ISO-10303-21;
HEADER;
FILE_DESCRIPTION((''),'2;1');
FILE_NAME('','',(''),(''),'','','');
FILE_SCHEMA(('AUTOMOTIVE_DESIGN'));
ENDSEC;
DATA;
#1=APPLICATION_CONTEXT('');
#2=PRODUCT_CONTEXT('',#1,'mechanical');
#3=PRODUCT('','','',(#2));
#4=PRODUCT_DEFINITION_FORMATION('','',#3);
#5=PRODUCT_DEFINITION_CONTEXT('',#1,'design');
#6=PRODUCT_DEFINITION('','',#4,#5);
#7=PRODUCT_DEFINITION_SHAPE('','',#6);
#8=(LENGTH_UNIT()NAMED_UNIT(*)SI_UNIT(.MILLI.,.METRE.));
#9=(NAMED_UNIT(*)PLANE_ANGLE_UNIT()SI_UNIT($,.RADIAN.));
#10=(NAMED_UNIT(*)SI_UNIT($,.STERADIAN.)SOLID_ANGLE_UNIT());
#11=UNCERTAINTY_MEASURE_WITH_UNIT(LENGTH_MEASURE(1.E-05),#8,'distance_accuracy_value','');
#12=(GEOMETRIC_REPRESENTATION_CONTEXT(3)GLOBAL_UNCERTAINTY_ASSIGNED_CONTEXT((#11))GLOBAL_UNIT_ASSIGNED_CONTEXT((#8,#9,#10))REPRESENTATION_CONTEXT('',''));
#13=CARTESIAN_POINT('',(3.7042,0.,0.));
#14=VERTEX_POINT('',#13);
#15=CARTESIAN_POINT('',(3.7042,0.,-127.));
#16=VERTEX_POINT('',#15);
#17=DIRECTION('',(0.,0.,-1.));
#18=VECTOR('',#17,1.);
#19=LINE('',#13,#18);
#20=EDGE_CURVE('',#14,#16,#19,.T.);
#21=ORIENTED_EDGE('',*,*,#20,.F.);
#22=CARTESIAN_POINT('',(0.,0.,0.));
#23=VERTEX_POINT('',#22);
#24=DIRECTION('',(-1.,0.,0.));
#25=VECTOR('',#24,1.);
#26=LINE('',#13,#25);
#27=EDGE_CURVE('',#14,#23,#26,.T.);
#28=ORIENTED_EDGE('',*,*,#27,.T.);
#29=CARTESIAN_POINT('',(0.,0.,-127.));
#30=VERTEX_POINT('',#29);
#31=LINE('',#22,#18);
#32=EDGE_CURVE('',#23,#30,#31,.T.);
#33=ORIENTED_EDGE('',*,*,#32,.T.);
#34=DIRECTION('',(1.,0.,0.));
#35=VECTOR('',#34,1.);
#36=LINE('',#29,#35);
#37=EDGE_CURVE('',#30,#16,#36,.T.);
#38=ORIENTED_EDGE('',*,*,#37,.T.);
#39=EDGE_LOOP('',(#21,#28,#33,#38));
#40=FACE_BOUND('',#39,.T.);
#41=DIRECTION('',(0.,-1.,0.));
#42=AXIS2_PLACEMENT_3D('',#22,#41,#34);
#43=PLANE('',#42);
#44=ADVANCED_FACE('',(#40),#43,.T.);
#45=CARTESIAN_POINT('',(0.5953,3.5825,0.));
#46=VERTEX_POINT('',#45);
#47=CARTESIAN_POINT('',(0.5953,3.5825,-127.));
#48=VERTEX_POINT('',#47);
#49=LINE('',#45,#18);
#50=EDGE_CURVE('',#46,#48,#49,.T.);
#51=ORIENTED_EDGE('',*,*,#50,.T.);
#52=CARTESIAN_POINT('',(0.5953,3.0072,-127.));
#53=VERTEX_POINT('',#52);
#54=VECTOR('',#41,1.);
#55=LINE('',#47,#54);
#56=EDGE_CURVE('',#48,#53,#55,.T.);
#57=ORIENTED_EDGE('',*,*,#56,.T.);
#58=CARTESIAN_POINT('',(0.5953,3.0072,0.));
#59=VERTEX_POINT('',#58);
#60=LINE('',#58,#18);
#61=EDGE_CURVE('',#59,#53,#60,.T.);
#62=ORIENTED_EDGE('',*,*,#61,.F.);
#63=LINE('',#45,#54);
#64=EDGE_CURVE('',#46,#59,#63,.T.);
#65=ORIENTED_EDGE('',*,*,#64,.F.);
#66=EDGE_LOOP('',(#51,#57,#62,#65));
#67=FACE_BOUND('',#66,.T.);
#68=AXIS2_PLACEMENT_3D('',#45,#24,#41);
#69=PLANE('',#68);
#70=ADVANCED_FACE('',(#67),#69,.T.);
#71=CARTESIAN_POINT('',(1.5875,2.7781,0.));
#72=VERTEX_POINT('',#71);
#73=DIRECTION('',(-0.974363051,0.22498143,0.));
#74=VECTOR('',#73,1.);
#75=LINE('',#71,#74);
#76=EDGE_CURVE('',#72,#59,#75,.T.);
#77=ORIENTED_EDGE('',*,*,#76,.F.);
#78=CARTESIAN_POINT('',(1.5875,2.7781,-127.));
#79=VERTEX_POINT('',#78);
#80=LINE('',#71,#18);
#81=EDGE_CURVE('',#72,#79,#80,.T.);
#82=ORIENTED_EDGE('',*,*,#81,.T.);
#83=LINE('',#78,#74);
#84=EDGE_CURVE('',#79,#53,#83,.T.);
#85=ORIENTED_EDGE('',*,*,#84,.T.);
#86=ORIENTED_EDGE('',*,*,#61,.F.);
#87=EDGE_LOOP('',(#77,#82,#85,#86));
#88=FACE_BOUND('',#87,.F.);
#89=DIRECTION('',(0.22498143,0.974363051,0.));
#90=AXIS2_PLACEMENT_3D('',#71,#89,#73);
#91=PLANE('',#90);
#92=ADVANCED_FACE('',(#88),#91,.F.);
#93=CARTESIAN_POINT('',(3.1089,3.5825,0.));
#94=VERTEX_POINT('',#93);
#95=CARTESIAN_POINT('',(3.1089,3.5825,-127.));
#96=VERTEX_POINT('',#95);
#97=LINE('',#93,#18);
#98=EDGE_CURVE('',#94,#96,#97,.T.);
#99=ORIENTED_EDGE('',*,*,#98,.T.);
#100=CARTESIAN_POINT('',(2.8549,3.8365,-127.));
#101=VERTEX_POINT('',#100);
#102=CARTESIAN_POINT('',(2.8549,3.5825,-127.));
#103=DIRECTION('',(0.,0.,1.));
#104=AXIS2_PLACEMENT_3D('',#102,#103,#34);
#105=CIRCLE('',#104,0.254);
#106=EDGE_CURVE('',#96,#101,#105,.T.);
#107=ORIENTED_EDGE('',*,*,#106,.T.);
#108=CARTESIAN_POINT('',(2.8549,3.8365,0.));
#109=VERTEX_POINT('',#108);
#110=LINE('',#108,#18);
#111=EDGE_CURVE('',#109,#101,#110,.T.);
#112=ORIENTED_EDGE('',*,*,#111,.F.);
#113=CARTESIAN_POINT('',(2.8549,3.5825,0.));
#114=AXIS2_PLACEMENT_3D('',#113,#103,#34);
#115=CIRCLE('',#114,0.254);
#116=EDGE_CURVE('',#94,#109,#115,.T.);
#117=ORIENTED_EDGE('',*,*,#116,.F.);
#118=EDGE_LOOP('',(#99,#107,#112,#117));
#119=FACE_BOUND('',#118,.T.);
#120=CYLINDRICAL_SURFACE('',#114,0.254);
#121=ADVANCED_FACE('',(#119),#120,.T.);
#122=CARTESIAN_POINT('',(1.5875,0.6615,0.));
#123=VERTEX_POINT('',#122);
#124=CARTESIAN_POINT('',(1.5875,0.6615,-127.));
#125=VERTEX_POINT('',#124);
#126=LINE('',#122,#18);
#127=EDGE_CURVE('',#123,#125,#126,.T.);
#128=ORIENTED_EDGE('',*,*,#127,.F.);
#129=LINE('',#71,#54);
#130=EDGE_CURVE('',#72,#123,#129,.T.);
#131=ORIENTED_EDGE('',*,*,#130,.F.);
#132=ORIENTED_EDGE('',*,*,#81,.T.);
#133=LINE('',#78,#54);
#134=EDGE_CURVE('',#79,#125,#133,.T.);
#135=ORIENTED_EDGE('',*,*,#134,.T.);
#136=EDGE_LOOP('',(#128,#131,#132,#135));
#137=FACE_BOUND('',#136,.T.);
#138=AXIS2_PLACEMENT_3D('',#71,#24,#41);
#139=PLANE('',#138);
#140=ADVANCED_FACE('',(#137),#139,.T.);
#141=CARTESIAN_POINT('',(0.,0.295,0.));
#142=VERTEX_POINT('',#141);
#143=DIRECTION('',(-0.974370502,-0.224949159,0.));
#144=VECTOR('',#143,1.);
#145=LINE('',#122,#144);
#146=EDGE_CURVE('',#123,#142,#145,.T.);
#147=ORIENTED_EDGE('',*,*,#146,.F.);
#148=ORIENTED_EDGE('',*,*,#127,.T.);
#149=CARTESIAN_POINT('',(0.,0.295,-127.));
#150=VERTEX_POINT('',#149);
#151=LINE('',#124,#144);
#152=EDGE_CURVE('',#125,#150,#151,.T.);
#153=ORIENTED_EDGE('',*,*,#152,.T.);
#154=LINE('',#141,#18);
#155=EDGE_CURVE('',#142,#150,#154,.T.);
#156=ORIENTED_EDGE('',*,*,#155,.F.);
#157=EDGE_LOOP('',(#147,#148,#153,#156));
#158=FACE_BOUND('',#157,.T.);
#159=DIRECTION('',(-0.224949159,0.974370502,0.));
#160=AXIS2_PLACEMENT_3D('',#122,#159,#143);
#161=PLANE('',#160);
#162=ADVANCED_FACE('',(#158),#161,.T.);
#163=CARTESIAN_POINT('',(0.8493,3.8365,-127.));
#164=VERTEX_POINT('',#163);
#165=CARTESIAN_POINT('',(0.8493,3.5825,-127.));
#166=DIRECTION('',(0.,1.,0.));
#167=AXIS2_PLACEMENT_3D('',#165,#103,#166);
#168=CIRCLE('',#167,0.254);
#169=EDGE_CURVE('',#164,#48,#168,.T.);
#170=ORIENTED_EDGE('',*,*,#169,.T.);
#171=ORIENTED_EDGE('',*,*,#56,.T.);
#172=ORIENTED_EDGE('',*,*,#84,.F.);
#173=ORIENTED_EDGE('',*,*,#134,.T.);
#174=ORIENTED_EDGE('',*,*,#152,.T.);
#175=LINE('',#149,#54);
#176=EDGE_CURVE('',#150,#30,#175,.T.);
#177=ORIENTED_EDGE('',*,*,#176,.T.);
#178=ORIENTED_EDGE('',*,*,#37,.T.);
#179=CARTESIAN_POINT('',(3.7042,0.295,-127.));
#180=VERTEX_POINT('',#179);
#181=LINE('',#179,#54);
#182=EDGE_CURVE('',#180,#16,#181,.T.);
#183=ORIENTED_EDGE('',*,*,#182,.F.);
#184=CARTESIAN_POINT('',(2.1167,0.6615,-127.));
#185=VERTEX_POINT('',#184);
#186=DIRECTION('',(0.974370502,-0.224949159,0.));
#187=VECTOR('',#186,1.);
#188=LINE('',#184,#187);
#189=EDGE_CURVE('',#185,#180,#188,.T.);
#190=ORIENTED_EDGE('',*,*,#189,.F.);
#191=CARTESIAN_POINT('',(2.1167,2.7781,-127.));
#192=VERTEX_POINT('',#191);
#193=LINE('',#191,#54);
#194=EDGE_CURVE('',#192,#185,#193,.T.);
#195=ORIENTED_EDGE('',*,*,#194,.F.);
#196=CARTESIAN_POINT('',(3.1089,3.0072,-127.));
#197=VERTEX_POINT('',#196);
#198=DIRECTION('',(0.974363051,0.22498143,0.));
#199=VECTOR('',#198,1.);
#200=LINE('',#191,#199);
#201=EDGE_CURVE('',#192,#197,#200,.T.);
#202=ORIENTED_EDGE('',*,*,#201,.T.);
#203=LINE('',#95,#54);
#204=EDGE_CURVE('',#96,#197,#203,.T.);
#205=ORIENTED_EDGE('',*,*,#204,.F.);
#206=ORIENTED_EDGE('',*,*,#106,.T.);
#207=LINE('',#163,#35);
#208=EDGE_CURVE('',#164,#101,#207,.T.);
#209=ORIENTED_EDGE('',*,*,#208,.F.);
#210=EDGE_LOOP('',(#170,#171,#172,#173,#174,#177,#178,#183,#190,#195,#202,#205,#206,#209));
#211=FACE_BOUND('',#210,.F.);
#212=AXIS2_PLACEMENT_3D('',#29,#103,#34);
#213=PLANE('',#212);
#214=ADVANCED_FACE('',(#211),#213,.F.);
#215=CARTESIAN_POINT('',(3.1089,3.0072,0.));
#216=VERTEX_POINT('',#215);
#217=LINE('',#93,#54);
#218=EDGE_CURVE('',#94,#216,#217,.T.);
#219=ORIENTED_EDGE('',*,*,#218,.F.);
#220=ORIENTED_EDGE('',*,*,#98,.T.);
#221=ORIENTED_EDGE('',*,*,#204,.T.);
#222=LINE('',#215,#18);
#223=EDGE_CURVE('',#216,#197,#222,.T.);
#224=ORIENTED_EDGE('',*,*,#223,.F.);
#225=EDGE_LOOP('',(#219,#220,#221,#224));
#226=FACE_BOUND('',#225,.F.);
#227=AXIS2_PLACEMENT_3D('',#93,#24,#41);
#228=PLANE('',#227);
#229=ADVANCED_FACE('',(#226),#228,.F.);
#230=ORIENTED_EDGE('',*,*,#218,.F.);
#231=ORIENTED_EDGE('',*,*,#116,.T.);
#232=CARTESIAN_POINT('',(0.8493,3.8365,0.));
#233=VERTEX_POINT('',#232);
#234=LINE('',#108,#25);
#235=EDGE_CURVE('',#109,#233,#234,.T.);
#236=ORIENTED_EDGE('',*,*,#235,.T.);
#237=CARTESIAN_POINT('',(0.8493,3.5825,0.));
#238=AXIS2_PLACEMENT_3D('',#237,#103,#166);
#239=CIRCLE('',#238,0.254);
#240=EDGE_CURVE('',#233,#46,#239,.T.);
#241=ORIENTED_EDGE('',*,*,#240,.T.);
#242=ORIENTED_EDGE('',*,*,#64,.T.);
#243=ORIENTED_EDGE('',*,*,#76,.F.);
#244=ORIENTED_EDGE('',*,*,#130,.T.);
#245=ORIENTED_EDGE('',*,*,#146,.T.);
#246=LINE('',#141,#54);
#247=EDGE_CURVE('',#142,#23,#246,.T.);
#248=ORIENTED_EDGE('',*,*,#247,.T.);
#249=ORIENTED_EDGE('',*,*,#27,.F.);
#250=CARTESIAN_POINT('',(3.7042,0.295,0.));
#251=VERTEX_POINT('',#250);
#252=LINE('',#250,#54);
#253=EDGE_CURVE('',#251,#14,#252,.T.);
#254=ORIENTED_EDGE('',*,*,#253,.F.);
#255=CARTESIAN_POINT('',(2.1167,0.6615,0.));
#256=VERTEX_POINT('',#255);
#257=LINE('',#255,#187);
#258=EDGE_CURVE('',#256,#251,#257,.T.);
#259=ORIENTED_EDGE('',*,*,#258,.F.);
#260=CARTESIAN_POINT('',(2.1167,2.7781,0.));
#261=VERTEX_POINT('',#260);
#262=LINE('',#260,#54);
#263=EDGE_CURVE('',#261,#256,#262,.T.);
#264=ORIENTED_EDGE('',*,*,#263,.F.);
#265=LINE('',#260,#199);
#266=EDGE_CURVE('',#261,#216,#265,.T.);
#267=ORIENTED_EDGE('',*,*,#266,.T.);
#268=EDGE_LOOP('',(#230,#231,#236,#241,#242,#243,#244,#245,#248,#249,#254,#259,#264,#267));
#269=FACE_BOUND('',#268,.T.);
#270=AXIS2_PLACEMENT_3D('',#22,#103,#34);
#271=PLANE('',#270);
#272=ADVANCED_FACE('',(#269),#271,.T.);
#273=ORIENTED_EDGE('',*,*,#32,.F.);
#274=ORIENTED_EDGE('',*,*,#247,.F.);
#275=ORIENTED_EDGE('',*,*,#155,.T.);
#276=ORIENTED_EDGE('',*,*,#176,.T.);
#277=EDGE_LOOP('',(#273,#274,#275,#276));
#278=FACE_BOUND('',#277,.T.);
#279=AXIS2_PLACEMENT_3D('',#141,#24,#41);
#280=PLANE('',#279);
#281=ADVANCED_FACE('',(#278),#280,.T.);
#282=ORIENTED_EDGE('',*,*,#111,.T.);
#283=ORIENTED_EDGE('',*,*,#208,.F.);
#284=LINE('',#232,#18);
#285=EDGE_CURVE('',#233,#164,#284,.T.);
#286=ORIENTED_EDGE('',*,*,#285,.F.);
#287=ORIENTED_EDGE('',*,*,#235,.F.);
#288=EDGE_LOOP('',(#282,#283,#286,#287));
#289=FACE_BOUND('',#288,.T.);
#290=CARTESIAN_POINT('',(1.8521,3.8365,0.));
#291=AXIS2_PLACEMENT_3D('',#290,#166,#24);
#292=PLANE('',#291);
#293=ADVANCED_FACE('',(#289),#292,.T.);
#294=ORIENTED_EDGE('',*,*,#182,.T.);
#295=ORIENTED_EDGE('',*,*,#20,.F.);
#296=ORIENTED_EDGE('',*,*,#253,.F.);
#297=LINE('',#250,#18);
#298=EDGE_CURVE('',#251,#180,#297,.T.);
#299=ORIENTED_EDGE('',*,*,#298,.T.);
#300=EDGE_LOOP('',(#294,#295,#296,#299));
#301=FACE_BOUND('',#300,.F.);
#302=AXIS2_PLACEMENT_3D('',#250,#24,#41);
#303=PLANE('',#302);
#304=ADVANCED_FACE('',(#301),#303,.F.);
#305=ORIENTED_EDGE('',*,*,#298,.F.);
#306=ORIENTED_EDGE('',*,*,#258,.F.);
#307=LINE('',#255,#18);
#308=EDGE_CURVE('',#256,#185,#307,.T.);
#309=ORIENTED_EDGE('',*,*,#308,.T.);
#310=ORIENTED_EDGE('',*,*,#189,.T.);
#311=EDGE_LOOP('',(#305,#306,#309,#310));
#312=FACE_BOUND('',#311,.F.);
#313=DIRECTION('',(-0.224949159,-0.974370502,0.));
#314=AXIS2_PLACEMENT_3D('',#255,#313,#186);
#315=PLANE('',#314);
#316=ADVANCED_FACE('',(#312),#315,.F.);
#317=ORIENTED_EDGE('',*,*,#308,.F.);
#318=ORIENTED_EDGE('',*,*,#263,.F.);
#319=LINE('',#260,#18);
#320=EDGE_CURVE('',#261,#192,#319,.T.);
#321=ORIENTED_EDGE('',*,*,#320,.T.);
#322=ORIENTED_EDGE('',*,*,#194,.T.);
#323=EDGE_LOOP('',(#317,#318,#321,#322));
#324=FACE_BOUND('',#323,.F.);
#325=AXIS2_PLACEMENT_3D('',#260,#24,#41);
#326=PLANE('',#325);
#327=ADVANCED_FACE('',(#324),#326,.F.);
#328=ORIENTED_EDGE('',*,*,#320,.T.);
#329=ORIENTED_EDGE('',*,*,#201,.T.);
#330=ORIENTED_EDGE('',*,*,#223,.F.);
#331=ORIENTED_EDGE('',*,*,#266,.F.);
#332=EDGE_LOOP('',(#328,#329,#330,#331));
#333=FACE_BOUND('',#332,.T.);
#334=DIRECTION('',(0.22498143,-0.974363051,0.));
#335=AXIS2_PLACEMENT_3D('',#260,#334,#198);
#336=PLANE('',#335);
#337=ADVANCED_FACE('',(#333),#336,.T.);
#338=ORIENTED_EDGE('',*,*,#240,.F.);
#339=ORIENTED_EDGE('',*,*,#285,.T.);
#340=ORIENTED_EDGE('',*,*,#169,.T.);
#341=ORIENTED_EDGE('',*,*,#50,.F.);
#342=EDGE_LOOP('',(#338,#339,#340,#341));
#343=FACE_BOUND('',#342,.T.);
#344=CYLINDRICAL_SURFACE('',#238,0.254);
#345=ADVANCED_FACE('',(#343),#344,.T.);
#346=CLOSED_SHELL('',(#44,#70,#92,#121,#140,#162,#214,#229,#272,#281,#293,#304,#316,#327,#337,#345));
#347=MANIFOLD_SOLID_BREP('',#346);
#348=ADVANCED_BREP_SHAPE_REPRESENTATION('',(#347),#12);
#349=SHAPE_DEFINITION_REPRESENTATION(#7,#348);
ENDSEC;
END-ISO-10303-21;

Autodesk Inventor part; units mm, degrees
ref_plane "YZ Plane" through (0, 0, 0) normal (1, 0, 0) x (0, 1, 0)
ref_plane "XZ Plane" through (0, 0, 0) normal (0, 1, 0) x (-1, 0, 0)
ref_plane "XY Plane" through (0, 0, 0) normal (0, 0, 1) x (1, 0, 0)
sketch "Sketch1" plane through (0, 0, 0) normal (0, 0, 1) x (1, 0, 0)
  line L0 (0, 0) -> (3.7042, 0)
  line L1 (1.8521, 0) -> (1.8521, 0.6615)
  line L2 (1.8521, 0.6615) -> (2.1167, 0.6615)
  line L3 (2.1167, 0.6615) -> (3.7042, 0.295)
  line L4 (3.7042, 0.295) -> (3.7042, 0)
  line L5 (1.8521, 0.6615) -> (1.8521, 2.7781)
  line L6 (1.8521, 2.7781) -> (2.1167, 2.7781)
  line L7 (2.1167, 2.7781) -> (2.1167, 0.6615)
  line L8 (1.8521, 2.7781) -> (1.8521, 3.8365)
  line L9 (1.8521, 3.8365) -> (2.8549, 3.8365)
  line L10 (2.1167, 2.7781) -> (3.1089, 3.0072)
  line L11 (2.1167, 2.7781) -> (3.135, 2.7781) construction
  line L12 (3.1089, 3.5825) -> (3.1089, 3.0072)
  arc A0 (3.1089, 3.5825) -> (2.8549, 3.8365) centre (2.8549, 3.5825) ccw
  line L13 (3.7042, 0) -> (0, 0)
  line L14 (1.8521, 0.6615) -> (1.5875, 0.6615)
  line L15 (1.5875, 0.6615) -> (0, 0.295)
  line L16 (0, 0.295) -> (0, 0)
  line L17 (1.8521, 2.7781) -> (1.5875, 2.7781)
  line L18 (1.5875, 2.7781) -> (1.5875, 0.6615)
  line L19 (1.8521, 3.8365) -> (0.8493, 3.8365)
  line L20 (1.5875, 2.7781) -> (0.5953, 3.0072)
  line L21 (1.5875, 2.7781) -> (0.5692, 2.7781) construction
  line L22 (0.5953, 3.5825) -> (0.5953, 3.0072)
  arc A1 (0.8493, 3.8365) -> (0.5953, 3.5825) centre (0.8493, 3.5825) ccw
  dimension "d3" = 0.6615
  dimension "d4" = 0.2646
  dimension "d5" = 167
  dimension "d6" = 2.1167
  dimension "d7" = 1.0583
  dimension "d9" = 13
  dimension "d10" = 0.254
extrude "Extrusion1" add sketch "Sketch1" against normal blind 127
properties part number "Rail48in"
